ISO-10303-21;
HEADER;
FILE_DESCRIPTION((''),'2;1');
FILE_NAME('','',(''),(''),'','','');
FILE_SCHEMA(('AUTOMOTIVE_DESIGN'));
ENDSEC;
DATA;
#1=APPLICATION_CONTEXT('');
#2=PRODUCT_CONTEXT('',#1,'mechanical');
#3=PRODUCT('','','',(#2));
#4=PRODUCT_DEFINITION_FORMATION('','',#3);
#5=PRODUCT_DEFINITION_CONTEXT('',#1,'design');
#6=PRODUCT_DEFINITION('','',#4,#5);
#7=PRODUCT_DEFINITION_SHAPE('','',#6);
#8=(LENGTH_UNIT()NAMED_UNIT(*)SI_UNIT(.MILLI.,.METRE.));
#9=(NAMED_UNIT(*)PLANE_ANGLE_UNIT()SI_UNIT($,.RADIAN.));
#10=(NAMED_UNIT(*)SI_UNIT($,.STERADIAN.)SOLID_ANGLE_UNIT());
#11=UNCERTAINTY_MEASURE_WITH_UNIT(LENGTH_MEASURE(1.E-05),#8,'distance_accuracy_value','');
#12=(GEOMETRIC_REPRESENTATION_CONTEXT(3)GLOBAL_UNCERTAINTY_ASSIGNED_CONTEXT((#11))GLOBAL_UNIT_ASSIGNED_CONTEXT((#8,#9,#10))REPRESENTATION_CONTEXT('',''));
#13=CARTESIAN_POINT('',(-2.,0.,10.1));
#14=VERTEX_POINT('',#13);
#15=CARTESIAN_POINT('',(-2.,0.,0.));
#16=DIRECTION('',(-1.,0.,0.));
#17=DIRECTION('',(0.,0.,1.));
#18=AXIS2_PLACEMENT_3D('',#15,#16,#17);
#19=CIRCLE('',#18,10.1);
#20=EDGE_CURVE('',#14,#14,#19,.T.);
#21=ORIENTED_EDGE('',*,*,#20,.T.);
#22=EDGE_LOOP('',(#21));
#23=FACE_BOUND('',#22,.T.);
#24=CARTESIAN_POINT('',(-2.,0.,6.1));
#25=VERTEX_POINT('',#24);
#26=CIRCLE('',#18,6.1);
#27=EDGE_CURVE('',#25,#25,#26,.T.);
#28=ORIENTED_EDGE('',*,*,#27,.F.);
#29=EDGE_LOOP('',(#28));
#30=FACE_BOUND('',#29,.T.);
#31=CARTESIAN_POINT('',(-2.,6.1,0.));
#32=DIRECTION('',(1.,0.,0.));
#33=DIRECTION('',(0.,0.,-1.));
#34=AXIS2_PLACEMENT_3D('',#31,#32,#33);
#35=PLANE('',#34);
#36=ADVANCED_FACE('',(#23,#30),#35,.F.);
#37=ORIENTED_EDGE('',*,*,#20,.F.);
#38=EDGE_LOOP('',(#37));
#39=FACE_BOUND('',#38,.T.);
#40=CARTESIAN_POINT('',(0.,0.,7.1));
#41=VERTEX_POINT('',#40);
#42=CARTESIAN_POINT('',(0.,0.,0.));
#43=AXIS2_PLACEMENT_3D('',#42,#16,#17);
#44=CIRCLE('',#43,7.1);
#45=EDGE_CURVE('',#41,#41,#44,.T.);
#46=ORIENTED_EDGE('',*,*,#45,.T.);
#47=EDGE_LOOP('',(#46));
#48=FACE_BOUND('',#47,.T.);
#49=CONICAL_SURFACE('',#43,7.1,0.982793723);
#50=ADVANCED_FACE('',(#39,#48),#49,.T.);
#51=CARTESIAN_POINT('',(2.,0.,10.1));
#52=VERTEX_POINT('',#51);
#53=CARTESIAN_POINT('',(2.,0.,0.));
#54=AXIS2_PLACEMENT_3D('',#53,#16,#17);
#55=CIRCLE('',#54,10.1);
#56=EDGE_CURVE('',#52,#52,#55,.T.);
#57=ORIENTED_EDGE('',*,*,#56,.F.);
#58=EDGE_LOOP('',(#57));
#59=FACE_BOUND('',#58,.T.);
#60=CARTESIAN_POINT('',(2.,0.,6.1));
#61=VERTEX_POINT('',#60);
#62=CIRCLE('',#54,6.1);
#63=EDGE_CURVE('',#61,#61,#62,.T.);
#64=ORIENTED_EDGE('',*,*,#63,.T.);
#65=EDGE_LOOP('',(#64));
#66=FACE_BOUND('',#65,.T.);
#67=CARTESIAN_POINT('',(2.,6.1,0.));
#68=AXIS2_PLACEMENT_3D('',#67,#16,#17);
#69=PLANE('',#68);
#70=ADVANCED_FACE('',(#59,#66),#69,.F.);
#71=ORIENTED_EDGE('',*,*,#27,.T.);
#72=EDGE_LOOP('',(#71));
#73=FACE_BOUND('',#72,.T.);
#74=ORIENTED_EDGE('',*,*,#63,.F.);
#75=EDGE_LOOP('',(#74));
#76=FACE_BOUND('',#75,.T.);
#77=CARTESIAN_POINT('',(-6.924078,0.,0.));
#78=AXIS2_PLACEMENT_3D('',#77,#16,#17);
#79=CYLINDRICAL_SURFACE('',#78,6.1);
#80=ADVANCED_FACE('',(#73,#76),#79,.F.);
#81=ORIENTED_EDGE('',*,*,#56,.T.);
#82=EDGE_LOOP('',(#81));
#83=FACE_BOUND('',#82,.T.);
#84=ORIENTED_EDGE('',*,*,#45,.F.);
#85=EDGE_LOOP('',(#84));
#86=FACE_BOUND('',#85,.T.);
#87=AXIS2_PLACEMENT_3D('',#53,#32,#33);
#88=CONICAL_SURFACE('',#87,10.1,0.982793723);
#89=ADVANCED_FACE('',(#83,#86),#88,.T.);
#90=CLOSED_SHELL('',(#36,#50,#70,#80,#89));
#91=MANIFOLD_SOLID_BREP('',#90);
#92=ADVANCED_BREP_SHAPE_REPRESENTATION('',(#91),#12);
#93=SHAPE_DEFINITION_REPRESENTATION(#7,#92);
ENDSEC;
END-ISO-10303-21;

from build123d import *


with BuildPart() as part:
    # Sketch5 → Revolve4 (revolve)
    with BuildSketch(Plane.XY, mode=Mode.PRIVATE) as revolve4_sk:
        Polygon((-2, 6.1), (2, 6.1), (2, 10.1), (0, 7.1), (-2, 10.1), align=None)
    revolve(revolve4_sk.sketch.rotate(Axis((-6.924078091, 0, 0), (1, 0, 0)), 90), axis=Axis((-6.924078091, 0, 0), (1, 0, 0)))


solid = part.part
